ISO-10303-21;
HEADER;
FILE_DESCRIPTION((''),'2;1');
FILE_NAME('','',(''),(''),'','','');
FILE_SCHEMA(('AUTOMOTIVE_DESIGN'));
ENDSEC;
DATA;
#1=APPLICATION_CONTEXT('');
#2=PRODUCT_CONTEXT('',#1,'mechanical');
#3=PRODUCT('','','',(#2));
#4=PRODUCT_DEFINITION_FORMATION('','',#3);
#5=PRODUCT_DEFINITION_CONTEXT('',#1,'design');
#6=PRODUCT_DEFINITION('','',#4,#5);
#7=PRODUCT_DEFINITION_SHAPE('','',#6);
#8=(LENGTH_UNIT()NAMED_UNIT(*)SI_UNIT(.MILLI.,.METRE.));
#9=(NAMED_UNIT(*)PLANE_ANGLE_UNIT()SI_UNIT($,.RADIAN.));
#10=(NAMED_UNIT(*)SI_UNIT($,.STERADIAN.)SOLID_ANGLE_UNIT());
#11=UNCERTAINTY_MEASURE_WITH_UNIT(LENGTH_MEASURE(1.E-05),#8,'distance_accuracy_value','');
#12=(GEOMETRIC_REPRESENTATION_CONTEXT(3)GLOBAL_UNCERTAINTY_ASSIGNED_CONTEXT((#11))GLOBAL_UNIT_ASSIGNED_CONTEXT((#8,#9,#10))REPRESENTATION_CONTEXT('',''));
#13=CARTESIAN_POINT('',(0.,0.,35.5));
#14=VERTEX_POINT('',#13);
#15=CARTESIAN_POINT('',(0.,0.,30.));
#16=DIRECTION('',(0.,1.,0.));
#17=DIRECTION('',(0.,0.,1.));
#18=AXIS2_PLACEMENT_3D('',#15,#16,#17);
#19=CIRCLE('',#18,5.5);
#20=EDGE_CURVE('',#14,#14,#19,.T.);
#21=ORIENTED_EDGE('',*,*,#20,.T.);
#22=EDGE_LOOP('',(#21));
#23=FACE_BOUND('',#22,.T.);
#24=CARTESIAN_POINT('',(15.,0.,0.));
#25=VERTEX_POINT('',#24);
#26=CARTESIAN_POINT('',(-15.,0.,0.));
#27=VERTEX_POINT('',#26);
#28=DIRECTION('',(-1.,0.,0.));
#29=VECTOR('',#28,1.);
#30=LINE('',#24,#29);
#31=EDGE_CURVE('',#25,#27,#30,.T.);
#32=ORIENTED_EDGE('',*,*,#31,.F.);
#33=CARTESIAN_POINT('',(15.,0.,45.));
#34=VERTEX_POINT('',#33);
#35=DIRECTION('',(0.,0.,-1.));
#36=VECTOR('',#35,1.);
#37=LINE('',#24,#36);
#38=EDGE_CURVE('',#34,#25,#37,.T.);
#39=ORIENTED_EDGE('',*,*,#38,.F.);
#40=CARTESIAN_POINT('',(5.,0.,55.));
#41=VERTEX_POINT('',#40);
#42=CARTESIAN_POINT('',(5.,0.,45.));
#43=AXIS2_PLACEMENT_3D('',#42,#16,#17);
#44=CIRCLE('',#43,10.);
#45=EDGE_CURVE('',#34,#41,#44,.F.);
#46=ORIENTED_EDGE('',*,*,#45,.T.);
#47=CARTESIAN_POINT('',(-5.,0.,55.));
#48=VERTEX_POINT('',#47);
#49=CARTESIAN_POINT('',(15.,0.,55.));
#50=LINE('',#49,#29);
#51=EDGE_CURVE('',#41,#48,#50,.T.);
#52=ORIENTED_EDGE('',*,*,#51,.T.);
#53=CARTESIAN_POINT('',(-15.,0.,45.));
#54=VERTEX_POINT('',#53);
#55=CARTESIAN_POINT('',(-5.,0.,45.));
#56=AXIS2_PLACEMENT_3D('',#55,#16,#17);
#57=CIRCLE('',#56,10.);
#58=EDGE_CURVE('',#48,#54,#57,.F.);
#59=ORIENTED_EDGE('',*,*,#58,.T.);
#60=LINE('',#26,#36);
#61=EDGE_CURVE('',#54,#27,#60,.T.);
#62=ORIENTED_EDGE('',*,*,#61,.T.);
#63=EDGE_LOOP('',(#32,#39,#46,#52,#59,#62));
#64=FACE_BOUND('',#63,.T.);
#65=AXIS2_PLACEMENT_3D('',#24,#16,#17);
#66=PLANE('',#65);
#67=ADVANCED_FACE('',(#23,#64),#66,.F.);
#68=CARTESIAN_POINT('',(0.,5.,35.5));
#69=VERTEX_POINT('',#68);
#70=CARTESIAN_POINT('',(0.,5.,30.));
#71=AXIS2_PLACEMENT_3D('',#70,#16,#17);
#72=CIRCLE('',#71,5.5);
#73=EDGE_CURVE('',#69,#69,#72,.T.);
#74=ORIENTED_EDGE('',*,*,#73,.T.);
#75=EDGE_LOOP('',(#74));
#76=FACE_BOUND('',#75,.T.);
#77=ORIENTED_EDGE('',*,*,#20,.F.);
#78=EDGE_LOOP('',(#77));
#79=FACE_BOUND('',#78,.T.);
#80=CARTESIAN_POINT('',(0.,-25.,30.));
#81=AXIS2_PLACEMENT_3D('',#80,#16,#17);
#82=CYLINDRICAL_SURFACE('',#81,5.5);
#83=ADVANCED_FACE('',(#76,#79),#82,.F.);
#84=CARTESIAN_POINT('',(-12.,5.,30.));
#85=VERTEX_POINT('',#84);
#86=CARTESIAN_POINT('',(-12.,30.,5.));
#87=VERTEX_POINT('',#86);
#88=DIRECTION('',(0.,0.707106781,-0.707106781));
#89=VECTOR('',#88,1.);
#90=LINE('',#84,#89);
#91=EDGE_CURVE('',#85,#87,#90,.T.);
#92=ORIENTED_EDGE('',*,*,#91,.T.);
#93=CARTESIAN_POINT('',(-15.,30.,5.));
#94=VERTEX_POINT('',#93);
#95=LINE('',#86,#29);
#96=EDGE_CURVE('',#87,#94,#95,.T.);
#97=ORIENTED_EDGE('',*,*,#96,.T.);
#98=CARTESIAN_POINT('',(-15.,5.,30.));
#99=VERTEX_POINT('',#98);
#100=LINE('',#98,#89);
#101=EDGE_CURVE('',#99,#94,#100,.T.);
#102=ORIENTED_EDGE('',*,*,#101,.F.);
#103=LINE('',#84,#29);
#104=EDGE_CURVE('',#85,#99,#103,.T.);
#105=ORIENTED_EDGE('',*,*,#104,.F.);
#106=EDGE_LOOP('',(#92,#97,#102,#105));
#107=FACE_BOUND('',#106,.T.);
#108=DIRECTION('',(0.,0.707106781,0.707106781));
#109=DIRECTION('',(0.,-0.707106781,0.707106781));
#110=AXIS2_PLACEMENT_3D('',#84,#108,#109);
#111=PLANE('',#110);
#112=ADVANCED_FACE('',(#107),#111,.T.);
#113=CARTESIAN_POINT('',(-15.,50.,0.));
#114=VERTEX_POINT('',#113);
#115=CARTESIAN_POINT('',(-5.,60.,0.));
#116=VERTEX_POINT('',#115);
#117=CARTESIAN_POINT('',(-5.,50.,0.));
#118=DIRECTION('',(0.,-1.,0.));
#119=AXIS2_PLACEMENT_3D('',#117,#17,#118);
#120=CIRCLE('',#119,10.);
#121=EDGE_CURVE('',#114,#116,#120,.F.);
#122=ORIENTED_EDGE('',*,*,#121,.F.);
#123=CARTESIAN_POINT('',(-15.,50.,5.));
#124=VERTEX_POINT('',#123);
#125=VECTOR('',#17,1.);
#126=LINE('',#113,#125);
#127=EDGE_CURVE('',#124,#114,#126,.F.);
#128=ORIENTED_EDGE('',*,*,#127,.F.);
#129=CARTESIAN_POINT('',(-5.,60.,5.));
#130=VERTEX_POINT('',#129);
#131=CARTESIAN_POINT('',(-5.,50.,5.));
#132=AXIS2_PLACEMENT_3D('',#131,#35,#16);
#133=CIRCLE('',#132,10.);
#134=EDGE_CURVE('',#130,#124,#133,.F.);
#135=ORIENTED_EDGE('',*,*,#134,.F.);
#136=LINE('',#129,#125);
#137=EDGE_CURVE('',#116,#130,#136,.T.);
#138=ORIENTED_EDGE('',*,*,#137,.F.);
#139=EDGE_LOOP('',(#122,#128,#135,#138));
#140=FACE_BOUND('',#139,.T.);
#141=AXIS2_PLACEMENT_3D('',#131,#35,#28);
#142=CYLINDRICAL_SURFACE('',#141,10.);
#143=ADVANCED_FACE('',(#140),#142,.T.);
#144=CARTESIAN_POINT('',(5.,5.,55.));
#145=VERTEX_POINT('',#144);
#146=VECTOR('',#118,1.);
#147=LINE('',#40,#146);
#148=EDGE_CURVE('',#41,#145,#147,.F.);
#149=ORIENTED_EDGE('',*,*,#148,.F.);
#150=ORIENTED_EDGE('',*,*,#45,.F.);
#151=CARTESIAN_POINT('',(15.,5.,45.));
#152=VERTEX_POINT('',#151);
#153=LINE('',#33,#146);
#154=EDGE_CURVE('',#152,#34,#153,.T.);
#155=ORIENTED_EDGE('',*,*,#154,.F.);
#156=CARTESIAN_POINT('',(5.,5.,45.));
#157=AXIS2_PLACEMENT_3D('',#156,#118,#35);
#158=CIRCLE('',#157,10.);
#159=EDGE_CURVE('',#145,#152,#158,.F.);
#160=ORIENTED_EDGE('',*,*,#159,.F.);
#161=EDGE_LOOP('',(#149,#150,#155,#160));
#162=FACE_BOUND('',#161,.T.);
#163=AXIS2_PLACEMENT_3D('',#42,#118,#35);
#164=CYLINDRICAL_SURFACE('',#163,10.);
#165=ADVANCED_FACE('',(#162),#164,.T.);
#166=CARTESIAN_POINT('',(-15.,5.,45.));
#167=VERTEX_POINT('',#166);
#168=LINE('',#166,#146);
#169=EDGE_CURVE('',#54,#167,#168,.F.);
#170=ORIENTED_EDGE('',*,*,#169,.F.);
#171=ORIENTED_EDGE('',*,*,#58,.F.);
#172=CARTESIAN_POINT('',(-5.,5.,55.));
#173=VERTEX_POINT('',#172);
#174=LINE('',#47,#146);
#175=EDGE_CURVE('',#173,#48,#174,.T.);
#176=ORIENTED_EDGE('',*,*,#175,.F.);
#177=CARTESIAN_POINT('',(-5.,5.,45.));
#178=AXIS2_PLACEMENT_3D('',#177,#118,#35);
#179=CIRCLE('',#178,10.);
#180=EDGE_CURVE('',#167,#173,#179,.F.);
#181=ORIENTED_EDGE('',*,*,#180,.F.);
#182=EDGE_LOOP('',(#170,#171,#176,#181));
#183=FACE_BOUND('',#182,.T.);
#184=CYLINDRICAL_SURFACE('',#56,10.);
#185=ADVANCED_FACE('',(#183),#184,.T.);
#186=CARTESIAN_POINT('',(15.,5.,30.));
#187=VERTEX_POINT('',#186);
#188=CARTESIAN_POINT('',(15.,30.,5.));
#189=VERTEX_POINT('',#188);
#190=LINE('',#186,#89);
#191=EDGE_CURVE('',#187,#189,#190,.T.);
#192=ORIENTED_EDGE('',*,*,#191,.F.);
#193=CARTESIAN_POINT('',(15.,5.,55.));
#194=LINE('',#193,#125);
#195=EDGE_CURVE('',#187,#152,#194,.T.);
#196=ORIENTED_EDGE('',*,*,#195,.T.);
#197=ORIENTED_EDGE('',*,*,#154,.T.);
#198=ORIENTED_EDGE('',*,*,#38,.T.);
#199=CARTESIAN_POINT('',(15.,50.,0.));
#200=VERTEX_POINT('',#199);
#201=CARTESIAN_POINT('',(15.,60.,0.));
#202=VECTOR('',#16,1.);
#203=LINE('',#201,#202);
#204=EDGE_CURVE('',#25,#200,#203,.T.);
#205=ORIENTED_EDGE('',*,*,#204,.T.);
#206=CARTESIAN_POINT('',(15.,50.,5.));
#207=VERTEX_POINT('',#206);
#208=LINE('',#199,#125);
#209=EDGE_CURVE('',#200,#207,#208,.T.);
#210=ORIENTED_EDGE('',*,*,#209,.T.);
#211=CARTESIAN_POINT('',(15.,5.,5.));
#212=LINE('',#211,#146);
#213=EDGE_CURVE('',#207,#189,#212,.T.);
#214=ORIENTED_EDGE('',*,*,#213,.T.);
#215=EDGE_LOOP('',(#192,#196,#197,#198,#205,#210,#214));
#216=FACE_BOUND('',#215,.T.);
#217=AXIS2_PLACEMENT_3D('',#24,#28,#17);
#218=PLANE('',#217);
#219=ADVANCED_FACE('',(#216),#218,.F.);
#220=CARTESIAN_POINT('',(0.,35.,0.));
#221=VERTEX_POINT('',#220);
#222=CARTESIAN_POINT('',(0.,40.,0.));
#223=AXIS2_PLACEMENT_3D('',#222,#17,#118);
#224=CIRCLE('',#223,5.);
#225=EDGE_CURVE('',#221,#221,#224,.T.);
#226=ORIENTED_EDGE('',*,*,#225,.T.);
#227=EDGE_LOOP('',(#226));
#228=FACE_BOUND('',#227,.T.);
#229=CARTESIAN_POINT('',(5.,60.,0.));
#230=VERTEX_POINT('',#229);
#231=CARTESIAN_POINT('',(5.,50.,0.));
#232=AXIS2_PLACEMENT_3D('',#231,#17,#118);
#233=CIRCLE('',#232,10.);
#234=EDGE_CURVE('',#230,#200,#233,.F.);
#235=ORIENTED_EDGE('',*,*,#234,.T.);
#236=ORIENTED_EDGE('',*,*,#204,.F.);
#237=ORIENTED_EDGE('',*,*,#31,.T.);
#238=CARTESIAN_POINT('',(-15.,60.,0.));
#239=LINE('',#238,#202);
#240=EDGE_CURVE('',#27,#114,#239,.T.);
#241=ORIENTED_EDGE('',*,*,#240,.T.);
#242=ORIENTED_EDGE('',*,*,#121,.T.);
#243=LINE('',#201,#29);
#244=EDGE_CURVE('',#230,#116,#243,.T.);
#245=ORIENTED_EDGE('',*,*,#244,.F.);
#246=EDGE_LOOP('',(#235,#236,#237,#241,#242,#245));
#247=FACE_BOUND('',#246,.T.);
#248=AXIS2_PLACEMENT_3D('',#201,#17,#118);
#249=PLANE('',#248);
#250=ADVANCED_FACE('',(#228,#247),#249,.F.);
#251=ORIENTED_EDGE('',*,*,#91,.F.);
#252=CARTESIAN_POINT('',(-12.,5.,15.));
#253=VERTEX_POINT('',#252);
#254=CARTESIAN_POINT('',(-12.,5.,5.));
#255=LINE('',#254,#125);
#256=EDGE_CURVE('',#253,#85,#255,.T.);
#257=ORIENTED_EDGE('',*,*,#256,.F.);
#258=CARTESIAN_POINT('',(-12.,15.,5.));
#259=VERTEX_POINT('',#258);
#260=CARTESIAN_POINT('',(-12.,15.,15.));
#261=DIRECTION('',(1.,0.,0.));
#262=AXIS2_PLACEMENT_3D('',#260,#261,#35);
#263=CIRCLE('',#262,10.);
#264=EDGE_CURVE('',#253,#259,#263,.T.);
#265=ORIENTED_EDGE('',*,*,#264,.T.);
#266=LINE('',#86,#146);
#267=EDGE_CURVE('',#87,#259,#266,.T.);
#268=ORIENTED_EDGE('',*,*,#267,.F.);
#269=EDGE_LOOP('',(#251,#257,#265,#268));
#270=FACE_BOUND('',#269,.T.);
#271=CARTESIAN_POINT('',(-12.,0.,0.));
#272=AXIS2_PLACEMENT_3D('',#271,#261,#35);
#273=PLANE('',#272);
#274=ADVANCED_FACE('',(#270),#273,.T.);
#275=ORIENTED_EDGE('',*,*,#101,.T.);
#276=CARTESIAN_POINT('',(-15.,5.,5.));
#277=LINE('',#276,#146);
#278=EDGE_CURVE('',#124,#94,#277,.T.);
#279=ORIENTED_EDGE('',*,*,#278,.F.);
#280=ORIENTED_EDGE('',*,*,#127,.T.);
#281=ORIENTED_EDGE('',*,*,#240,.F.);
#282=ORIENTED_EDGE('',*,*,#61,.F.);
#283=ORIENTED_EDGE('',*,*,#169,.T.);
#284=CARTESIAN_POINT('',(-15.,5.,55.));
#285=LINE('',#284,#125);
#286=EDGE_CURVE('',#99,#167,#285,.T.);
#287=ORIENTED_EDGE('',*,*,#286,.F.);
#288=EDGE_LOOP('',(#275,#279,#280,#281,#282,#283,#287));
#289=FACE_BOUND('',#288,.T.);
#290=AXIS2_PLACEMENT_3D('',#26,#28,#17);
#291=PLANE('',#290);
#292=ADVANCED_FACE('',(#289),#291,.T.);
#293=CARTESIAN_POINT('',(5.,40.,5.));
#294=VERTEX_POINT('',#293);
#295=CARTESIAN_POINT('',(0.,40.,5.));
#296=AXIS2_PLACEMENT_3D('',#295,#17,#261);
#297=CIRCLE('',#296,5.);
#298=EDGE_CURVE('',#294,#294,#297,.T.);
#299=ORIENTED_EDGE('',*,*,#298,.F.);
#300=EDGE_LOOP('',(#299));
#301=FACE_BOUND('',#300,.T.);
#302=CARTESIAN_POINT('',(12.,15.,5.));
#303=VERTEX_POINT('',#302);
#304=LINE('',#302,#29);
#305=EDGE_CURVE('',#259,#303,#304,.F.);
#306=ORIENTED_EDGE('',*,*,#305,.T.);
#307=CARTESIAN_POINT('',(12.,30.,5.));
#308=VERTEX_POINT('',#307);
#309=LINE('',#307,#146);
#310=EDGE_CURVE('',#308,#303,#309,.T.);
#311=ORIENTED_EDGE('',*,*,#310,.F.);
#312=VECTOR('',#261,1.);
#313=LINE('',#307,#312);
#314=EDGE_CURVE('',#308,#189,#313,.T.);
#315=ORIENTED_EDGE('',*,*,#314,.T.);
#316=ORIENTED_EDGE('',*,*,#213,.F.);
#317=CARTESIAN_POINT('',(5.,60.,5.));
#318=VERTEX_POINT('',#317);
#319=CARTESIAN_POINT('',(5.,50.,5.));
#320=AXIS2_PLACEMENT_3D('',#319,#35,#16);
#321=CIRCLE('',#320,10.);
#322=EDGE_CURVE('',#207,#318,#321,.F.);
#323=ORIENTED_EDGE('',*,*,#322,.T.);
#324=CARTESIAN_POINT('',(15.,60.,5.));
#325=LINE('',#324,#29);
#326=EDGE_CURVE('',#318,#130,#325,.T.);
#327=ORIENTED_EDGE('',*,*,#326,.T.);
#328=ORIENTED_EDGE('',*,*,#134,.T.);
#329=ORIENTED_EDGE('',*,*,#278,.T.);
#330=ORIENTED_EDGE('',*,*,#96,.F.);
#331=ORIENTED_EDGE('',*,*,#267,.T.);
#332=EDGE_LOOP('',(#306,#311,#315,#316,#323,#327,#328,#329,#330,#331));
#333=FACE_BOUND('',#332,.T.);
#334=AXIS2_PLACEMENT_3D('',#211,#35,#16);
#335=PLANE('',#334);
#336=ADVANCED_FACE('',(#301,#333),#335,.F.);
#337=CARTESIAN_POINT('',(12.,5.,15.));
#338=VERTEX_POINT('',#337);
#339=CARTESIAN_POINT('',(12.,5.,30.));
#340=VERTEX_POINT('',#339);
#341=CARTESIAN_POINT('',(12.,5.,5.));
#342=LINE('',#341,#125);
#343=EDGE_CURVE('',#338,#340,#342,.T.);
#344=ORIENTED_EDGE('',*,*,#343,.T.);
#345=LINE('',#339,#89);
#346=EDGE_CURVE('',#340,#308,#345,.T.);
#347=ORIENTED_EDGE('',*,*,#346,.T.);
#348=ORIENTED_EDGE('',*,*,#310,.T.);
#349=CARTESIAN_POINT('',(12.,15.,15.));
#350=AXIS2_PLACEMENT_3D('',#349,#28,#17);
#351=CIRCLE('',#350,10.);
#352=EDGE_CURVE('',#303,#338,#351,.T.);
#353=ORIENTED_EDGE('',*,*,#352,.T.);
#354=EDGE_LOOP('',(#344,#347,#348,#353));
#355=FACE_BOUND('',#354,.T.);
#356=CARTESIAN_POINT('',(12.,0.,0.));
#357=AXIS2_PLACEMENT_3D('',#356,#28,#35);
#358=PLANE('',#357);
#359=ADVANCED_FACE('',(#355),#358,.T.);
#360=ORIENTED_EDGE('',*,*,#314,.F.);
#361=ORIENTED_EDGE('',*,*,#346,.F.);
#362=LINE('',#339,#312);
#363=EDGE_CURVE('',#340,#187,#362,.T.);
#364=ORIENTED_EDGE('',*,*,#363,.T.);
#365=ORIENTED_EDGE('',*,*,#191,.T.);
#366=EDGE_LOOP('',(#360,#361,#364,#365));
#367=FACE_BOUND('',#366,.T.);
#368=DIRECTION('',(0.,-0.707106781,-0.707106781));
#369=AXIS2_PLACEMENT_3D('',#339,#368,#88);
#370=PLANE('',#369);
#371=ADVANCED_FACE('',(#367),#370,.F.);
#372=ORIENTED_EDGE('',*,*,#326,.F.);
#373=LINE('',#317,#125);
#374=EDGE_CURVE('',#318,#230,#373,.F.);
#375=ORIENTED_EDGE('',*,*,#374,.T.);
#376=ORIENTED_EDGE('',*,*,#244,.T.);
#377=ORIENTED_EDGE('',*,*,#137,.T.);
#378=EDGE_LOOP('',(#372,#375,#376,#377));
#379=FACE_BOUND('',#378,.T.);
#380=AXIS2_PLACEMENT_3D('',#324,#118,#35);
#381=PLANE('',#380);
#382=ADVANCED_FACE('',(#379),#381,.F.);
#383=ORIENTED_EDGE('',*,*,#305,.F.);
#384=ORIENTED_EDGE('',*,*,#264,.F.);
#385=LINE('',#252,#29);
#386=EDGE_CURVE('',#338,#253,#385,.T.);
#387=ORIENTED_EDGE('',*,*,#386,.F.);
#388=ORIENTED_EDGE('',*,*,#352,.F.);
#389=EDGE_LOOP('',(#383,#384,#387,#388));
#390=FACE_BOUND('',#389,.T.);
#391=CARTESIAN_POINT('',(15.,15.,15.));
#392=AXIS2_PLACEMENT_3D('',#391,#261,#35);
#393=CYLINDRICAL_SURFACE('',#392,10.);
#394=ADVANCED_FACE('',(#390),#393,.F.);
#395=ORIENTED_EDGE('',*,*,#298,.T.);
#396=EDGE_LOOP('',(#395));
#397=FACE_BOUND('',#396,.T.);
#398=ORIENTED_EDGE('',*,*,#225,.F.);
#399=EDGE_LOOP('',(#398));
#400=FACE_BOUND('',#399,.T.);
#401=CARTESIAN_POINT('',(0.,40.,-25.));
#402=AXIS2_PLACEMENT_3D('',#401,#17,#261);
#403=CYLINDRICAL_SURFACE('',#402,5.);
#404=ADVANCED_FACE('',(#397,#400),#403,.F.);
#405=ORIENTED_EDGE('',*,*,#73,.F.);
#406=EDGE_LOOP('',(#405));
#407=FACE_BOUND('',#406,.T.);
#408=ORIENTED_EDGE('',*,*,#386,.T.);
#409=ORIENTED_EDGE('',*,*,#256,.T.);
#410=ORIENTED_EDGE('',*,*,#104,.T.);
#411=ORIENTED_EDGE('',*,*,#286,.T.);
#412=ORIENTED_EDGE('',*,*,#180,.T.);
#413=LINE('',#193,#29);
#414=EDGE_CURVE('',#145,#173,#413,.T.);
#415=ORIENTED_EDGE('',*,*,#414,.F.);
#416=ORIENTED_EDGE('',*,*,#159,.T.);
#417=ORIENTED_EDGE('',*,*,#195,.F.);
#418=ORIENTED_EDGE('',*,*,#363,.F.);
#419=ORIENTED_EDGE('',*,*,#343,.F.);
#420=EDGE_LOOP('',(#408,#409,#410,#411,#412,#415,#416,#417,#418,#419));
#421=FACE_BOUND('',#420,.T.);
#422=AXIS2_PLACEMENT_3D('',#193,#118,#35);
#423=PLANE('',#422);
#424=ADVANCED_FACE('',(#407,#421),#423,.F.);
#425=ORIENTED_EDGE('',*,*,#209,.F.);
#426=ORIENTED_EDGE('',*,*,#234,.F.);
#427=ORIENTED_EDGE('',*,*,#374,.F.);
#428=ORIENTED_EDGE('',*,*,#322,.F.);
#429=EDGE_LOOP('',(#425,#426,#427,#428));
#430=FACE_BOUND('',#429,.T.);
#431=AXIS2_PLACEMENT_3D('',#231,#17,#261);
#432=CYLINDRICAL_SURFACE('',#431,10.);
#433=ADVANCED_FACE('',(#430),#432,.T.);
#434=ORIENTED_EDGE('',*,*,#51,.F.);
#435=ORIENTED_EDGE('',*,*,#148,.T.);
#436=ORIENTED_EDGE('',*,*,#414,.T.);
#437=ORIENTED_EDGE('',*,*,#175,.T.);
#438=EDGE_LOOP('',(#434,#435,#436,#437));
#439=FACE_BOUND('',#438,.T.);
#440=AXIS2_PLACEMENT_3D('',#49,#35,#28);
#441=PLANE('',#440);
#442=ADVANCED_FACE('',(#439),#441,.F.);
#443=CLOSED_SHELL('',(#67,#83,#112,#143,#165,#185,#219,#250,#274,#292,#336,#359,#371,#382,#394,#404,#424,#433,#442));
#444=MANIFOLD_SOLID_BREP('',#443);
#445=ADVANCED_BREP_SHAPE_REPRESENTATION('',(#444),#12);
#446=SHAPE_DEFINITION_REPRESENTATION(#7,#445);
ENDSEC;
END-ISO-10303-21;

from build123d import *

# Parameters (mm, degrees)
BOSS_EXTRUDE1_DEPTH = 15
SKETCH2_R           = 5.5
CUT_EXTRUDE1_DEPTH  = 30
SKETCH3_R           = 5
CUT_EXTRUDE2_DEPTH  = 30
FILLET1_R           = 10
BOSS_EXTRUDE2_DEPTH = 3
FILLET2_R           = 10


with BuildPart() as part:
    # Sketch1 → Boss-Extrude1 (new body, symmetric)
    with BuildSketch(Plane(origin=(0, 0, 0), x_dir=(0, 0, -1), z_dir=(1, 0, 0))):
        Polygon((-55, 5), (-5, 5), (-5, 60), (0, 60), (0, 0), (-55, 0), align=None)
    extrude(amount=BOSS_EXTRUDE1_DEPTH, both=True)

    # Sketch2 → Cut-Extrude1 (cut)
    with BuildSketch(Plane(origin=(0, 5, 0), x_dir=(1, 0, 0), z_dir=(0, 1, 0))):
        with Locations((0, -30)):
            Circle(SKETCH2_R)
    extrude(amount=-CUT_EXTRUDE1_DEPTH, mode=Mode.SUBTRACT)

    # Sketch3 → Cut-Extrude2 (cut)
    with BuildSketch(Plane.XY.offset(5)):
        with Locations((0, 40)):
            Circle(SKETCH3_R)
    extrude(amount=-CUT_EXTRUDE2_DEPTH, mode=Mode.SUBTRACT)

    # Fillet1
    fillet1_edges = [part.edges().sort_by_distance(p)[0] for p in [
        (15, 60, 2.5),
        (15, 2.5, 55),
        (-15, 60, 2.5),
        (-15, 2.5, 55),
    ]]
    fillet(fillet1_edges, radius=FILLET1_R)

    # Sketch4 → Boss-Extrude2 (add)
    with BuildSketch(Plane.ZY.offset(15)):
        Polygon((30, 5), (5, 30), (5, 5), align=None)
    boss_extrude2 = extrude(amount=-BOSS_EXTRUDE2_DEPTH)

    # Mirror1: Boss-Extrude2 across plane
    add(boss_extrude2.mirror(Plane(origin=(0, 0, 0), x_dir=(0, 0, 1), z_dir=(1, 0, 0))))

    # Fillet2
    fillet2_edges = [part.edges().sort_by_distance(p)[0] for p in [
        (0, 5, 5),
    ]]
    fillet(fillet2_edges, radius=FILLET2_R)


solid = part.part
